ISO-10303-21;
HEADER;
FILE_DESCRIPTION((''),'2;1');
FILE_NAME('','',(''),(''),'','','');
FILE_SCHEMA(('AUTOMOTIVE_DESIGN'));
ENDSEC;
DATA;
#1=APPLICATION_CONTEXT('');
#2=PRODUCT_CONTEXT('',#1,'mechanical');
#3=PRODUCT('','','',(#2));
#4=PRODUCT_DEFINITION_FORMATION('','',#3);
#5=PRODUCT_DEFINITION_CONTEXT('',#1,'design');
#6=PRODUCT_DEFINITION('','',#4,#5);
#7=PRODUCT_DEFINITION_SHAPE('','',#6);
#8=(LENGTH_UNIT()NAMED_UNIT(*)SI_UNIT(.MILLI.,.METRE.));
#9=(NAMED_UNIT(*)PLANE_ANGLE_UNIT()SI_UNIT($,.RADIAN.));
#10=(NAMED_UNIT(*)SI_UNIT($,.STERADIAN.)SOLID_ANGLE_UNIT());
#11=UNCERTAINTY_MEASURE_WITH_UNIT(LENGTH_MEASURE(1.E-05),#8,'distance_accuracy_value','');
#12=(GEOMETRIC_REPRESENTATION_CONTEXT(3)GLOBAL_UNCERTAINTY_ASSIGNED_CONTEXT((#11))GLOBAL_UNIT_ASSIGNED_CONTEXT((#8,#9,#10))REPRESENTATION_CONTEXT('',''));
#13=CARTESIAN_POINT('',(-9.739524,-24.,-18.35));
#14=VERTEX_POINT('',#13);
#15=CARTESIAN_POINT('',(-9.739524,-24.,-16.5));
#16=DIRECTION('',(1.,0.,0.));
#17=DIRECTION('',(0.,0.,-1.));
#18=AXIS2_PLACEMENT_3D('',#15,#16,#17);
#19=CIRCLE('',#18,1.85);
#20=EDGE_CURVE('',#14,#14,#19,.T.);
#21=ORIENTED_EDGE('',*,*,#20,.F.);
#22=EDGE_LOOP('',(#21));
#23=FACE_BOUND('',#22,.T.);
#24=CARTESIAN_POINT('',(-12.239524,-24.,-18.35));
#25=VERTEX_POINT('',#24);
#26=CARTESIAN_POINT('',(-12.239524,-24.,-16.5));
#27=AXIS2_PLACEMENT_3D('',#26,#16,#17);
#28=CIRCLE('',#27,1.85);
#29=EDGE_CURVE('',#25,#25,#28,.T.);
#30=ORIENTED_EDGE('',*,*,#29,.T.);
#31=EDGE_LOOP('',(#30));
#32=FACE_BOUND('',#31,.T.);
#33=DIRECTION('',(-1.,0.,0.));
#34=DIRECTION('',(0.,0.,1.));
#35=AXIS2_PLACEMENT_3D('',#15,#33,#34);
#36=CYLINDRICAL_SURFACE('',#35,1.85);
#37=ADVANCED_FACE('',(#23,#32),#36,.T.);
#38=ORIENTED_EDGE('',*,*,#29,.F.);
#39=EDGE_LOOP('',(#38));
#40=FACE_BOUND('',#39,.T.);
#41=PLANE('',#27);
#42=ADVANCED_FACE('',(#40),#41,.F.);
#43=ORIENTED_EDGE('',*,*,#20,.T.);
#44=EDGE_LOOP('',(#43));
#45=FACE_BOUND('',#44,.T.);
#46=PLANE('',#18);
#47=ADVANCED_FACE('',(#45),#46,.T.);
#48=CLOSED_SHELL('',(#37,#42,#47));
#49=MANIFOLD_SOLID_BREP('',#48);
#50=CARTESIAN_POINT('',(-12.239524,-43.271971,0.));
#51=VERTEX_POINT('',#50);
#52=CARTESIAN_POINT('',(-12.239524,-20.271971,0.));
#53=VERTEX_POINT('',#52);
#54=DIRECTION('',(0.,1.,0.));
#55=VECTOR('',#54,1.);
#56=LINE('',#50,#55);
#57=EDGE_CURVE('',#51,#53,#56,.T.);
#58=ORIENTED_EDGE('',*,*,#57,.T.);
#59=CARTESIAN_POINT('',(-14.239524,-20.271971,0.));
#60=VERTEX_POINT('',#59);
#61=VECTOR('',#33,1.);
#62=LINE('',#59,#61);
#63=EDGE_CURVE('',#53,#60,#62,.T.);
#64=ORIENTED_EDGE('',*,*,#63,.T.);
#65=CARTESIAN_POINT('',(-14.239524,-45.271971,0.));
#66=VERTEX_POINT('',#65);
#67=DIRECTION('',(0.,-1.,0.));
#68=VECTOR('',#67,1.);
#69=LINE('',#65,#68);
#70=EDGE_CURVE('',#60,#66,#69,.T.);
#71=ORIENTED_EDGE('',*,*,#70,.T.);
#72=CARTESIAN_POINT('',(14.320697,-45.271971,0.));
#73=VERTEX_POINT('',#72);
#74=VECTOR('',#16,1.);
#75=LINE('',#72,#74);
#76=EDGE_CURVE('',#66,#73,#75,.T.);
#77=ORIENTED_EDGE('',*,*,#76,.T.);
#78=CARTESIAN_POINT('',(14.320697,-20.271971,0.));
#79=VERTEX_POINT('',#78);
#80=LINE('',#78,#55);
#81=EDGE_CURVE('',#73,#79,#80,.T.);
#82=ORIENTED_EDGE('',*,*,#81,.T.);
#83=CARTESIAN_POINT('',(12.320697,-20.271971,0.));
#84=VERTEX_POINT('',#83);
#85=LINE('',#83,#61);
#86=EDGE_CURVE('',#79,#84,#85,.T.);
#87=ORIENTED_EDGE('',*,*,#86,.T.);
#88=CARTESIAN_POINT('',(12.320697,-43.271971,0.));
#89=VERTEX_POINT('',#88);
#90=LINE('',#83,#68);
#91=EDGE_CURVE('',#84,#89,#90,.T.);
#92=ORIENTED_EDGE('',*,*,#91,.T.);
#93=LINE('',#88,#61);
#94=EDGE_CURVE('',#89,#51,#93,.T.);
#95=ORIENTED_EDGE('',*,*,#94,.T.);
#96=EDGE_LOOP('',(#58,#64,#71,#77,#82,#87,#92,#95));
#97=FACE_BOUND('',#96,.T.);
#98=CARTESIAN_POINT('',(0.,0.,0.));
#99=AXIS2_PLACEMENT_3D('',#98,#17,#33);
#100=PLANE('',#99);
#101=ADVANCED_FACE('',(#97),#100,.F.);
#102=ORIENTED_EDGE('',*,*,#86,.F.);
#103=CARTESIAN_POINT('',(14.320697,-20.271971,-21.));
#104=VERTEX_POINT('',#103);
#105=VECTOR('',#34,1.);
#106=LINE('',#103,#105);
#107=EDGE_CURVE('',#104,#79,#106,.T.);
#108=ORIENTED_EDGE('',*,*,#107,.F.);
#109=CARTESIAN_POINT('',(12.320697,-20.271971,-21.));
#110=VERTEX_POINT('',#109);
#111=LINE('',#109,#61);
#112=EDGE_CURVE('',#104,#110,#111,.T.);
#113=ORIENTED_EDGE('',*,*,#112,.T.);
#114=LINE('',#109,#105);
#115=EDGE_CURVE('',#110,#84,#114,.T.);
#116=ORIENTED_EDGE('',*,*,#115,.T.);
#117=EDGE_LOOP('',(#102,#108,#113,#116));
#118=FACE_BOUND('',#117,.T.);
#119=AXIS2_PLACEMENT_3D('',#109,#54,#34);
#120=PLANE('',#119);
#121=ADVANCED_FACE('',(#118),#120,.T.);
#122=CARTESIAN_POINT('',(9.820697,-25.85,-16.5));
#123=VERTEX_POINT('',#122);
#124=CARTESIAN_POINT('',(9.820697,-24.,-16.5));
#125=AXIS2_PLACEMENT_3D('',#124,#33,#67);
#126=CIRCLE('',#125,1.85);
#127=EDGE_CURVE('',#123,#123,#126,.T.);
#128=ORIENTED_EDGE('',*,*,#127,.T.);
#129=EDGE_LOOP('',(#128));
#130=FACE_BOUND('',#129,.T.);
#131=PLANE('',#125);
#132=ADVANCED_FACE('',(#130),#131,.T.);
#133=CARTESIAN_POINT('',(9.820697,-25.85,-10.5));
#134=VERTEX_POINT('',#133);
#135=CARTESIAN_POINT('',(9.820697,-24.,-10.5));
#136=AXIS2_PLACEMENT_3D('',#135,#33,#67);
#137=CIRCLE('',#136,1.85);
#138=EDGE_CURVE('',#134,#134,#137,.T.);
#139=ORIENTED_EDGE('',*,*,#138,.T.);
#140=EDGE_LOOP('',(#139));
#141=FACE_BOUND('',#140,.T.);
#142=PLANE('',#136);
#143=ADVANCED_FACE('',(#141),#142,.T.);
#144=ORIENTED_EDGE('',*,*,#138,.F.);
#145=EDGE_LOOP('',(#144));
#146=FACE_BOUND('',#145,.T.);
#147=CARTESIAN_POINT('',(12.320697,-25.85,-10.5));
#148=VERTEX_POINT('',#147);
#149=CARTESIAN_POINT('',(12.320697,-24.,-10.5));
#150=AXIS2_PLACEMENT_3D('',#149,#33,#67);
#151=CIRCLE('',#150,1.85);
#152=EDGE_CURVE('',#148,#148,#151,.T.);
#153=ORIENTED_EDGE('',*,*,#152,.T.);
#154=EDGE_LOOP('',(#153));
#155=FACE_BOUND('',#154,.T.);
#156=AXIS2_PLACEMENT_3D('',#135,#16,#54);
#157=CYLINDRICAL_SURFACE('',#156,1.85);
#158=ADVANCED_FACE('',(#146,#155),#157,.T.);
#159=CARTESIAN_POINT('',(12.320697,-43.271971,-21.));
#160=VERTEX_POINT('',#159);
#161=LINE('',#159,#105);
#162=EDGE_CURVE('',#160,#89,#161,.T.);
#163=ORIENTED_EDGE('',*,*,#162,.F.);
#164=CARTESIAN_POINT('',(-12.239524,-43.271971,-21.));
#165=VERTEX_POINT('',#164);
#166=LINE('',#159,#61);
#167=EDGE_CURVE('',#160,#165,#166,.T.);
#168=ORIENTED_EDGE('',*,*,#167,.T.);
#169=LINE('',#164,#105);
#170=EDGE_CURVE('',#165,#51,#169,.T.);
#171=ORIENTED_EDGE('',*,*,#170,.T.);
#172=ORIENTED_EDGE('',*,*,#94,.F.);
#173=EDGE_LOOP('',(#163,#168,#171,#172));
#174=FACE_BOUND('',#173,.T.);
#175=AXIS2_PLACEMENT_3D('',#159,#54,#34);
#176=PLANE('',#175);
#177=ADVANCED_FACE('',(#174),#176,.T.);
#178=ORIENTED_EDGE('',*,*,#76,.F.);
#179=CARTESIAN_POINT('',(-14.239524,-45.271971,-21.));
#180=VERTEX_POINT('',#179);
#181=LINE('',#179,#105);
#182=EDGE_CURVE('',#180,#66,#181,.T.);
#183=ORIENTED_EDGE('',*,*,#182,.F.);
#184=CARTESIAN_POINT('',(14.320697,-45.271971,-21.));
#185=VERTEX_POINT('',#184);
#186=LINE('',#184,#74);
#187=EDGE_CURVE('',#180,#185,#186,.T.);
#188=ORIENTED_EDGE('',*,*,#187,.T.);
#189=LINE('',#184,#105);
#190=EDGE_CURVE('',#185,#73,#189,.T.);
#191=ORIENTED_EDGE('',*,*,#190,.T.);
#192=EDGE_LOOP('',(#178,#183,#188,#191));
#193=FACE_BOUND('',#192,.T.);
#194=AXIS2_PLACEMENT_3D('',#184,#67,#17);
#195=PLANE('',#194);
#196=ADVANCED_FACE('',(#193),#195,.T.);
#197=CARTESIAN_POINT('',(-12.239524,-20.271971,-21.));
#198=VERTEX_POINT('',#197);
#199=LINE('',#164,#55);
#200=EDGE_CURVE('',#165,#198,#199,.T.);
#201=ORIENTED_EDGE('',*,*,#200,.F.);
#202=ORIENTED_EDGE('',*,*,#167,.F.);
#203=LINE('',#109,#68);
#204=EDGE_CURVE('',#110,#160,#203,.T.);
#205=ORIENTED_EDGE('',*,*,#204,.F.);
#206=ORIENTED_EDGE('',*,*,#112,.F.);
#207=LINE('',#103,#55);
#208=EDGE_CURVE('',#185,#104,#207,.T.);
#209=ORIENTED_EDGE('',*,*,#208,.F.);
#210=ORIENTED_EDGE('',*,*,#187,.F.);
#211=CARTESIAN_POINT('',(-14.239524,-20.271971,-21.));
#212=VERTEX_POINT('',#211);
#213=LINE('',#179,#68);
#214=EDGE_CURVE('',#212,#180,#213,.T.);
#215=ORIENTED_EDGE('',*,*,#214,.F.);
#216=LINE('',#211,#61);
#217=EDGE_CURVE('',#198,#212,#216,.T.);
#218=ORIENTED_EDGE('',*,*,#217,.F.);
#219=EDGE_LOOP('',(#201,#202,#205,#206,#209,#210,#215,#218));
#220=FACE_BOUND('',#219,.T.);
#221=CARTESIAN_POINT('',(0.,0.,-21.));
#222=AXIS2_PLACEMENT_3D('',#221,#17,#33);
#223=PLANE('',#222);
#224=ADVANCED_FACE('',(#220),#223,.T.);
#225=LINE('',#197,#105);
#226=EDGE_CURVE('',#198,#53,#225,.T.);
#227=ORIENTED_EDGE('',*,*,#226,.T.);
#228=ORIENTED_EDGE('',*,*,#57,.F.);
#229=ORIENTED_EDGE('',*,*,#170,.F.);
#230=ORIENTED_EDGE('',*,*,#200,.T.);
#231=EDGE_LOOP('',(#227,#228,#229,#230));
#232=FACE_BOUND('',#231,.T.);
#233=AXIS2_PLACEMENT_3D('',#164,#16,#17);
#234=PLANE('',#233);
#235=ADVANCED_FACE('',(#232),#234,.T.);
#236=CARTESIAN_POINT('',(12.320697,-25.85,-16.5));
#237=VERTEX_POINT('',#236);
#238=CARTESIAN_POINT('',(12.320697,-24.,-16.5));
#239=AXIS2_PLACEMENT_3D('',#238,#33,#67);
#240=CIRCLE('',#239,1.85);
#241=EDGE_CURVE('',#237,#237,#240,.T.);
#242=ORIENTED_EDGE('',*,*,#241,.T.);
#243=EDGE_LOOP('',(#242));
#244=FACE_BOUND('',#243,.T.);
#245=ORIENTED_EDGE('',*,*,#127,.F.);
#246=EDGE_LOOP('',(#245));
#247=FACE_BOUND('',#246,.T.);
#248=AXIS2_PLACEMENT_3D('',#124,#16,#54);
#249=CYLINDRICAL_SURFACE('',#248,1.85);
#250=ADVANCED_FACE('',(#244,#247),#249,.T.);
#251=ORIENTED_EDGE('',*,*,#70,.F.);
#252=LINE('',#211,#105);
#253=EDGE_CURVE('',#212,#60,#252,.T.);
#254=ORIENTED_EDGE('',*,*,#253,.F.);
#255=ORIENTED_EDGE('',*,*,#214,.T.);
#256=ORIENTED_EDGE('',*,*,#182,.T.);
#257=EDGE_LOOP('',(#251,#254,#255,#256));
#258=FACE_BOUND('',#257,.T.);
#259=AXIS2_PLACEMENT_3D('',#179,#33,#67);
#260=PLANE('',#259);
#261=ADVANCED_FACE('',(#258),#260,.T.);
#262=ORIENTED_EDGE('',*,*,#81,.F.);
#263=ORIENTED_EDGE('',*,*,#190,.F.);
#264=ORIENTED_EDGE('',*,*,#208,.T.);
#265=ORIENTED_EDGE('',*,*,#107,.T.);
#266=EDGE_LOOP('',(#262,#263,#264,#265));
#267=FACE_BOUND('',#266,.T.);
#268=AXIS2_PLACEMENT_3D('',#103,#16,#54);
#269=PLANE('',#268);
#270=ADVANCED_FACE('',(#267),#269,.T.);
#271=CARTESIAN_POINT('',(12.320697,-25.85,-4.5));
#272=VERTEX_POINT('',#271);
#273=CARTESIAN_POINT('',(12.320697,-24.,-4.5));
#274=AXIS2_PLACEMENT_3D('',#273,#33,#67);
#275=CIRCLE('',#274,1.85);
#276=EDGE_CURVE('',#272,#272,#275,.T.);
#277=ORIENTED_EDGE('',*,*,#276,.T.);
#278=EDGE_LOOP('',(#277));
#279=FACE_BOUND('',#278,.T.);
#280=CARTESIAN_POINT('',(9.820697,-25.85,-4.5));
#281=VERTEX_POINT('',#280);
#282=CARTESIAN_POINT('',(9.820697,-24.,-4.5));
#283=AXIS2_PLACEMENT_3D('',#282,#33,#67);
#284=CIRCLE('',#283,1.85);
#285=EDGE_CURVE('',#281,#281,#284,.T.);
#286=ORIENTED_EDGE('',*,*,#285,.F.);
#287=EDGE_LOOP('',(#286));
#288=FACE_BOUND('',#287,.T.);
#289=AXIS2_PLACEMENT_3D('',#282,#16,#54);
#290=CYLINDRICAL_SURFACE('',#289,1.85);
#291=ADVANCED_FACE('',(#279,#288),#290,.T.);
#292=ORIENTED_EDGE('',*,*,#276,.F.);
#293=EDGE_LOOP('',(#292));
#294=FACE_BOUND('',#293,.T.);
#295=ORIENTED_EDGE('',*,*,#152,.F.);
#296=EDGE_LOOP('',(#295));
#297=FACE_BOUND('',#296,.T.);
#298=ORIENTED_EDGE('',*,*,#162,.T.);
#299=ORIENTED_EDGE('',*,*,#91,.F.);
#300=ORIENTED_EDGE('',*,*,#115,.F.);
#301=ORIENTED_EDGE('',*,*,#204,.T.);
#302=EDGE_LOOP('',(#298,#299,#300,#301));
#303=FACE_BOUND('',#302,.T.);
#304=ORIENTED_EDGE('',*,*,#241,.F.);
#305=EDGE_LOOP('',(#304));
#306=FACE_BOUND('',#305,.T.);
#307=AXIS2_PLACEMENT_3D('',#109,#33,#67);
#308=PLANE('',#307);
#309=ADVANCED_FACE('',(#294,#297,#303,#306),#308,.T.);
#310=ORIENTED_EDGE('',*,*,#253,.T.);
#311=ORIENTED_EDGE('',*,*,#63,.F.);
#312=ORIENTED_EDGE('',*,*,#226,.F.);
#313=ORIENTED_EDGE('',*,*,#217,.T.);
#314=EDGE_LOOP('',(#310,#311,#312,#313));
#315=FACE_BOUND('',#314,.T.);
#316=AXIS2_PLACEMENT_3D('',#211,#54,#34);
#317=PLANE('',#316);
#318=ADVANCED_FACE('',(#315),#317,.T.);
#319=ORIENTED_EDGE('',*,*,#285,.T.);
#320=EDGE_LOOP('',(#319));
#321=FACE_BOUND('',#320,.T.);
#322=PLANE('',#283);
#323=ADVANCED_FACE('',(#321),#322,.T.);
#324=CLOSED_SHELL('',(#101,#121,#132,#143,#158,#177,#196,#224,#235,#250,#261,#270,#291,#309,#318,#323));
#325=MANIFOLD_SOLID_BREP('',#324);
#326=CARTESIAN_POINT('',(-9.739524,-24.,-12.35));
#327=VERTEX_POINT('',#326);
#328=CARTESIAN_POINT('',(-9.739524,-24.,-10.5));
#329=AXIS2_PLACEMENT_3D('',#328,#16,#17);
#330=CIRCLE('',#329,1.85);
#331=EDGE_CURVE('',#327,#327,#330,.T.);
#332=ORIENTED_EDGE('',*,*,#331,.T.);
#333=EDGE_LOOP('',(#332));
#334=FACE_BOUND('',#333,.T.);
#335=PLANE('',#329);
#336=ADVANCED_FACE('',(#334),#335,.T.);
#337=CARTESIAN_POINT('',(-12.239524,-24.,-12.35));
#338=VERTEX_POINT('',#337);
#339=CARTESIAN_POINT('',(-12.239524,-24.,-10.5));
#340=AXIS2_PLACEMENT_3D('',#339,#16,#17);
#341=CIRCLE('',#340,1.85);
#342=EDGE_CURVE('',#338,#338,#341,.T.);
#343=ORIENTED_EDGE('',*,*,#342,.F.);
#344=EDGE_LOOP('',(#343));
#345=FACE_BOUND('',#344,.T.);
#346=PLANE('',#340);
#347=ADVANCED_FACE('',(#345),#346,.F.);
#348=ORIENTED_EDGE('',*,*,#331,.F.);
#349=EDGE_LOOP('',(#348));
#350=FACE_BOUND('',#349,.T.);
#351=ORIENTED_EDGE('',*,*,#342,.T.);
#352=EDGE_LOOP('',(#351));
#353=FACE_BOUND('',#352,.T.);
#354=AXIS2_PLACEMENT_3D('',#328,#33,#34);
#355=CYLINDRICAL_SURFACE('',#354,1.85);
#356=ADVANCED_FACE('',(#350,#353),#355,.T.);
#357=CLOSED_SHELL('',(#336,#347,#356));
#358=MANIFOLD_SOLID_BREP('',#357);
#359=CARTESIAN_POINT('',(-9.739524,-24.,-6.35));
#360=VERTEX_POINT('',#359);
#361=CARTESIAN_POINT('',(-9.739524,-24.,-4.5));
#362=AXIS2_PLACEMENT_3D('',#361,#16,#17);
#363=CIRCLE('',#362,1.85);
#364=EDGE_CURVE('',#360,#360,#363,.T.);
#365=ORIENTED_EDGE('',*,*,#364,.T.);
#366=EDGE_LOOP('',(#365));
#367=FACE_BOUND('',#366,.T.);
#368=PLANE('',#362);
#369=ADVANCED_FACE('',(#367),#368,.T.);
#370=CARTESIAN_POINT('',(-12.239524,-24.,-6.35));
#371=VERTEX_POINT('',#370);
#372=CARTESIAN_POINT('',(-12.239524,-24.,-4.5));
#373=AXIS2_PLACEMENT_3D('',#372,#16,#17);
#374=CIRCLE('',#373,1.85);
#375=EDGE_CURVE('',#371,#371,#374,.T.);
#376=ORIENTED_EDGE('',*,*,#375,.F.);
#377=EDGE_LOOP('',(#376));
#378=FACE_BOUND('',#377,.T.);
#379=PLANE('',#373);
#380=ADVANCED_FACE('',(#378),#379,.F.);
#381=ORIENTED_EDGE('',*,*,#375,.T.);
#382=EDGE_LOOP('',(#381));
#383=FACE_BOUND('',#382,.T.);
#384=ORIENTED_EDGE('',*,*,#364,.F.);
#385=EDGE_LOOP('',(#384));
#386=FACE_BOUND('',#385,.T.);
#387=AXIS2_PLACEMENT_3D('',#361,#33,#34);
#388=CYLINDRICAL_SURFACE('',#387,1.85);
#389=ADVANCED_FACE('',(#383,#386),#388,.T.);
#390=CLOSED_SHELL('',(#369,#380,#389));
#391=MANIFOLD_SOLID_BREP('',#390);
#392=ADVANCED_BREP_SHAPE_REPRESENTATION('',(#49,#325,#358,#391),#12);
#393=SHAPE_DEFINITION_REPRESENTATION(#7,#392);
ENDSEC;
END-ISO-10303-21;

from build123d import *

# Parameters (mm, degrees)
BOSS_EXTRUDE4_DEPTH   = 21
SKETCH5_R             = 1.85
BOSS_EXTRUDE5_DEPTH   = 2.5
BOSS_EXTRUDE5_2_DEPTH = 2.5
BOSS_EXTRUDE5_3_DEPTH = 2.5
SKETCH6_R             = 1.85
BOSS_EXTRUDE6_DEPTH   = 2.5


with BuildPart() as part:
    # Sketch1 → Boss-Extrude4 (new body)
    with BuildSketch(Plane.XY):
        Polygon((12.320696932, -20.271970514), (14.320696932, -20.271970514), (14.320696932, -45.271970514), (-14.239524115, -45.271970514), (-14.239524115, -20.271970514), (-12.239524115, -20.271970514), (-12.239524115, -43.271970514), (12.320696932, -43.271970514), align=None)
    extrude(amount=-BOSS_EXTRUDE4_DEPTH)

    # Sketch6 → Boss-Extrude6 (add)
    with BuildSketch(Plane(origin=(12.320696932, 0, -12.320696932), x_dir=(0, 0, 1), z_dir=(-1, 0, 0))):
        with Locations(Location((7.820696932, -24, 0), (0, 0, 180))):
            Circle(SKETCH6_R)
        with Locations(Location((1.820696932, -24, 0), (0, 0, 180))):
            Circle(SKETCH6_R)
        with Locations(Location((-4.179303068, -24, 0), (0, 0, 180))):
            Circle(SKETCH6_R)
    extrude(amount=BOSS_EXTRUDE6_DEPTH)


with BuildPart() as body_2:
    # Sketch5 → Boss-Extrude5 (new body)
    with BuildSketch(Plane(origin=(-12.239524115, 0, 0), x_dir=(0, 0, -1), z_dir=(1, 0, 0))):
        with Locations((16.5, -24)):
            Circle(SKETCH5_R)
    extrude(amount=BOSS_EXTRUDE5_DEPTH)


with BuildPart() as body_3:
    # Sketch5 → Boss-Extrude5 2 (new body)
    with BuildSketch(Plane(origin=(-12.239524115, 0, 0), x_dir=(0, 0, -1), z_dir=(1, 0, 0))):
        with Locations((10.5, -24)):
            Circle(SKETCH5_R)
    extrude(amount=BOSS_EXTRUDE5_2_DEPTH)


with BuildPart() as body_4:
    # Sketch5 → Boss-Extrude5 3 (new body)
    with BuildSketch(Plane(origin=(-12.239524115, 0, 0), x_dir=(0, 0, -1), z_dir=(1, 0, 0))):
        with Locations((4.5, -24)):
            Circle(SKETCH5_R)
    extrude(amount=BOSS_EXTRUDE5_3_DEPTH)


solid = Compound([part.part, body_2.part, body_3.part, body_4.part])
